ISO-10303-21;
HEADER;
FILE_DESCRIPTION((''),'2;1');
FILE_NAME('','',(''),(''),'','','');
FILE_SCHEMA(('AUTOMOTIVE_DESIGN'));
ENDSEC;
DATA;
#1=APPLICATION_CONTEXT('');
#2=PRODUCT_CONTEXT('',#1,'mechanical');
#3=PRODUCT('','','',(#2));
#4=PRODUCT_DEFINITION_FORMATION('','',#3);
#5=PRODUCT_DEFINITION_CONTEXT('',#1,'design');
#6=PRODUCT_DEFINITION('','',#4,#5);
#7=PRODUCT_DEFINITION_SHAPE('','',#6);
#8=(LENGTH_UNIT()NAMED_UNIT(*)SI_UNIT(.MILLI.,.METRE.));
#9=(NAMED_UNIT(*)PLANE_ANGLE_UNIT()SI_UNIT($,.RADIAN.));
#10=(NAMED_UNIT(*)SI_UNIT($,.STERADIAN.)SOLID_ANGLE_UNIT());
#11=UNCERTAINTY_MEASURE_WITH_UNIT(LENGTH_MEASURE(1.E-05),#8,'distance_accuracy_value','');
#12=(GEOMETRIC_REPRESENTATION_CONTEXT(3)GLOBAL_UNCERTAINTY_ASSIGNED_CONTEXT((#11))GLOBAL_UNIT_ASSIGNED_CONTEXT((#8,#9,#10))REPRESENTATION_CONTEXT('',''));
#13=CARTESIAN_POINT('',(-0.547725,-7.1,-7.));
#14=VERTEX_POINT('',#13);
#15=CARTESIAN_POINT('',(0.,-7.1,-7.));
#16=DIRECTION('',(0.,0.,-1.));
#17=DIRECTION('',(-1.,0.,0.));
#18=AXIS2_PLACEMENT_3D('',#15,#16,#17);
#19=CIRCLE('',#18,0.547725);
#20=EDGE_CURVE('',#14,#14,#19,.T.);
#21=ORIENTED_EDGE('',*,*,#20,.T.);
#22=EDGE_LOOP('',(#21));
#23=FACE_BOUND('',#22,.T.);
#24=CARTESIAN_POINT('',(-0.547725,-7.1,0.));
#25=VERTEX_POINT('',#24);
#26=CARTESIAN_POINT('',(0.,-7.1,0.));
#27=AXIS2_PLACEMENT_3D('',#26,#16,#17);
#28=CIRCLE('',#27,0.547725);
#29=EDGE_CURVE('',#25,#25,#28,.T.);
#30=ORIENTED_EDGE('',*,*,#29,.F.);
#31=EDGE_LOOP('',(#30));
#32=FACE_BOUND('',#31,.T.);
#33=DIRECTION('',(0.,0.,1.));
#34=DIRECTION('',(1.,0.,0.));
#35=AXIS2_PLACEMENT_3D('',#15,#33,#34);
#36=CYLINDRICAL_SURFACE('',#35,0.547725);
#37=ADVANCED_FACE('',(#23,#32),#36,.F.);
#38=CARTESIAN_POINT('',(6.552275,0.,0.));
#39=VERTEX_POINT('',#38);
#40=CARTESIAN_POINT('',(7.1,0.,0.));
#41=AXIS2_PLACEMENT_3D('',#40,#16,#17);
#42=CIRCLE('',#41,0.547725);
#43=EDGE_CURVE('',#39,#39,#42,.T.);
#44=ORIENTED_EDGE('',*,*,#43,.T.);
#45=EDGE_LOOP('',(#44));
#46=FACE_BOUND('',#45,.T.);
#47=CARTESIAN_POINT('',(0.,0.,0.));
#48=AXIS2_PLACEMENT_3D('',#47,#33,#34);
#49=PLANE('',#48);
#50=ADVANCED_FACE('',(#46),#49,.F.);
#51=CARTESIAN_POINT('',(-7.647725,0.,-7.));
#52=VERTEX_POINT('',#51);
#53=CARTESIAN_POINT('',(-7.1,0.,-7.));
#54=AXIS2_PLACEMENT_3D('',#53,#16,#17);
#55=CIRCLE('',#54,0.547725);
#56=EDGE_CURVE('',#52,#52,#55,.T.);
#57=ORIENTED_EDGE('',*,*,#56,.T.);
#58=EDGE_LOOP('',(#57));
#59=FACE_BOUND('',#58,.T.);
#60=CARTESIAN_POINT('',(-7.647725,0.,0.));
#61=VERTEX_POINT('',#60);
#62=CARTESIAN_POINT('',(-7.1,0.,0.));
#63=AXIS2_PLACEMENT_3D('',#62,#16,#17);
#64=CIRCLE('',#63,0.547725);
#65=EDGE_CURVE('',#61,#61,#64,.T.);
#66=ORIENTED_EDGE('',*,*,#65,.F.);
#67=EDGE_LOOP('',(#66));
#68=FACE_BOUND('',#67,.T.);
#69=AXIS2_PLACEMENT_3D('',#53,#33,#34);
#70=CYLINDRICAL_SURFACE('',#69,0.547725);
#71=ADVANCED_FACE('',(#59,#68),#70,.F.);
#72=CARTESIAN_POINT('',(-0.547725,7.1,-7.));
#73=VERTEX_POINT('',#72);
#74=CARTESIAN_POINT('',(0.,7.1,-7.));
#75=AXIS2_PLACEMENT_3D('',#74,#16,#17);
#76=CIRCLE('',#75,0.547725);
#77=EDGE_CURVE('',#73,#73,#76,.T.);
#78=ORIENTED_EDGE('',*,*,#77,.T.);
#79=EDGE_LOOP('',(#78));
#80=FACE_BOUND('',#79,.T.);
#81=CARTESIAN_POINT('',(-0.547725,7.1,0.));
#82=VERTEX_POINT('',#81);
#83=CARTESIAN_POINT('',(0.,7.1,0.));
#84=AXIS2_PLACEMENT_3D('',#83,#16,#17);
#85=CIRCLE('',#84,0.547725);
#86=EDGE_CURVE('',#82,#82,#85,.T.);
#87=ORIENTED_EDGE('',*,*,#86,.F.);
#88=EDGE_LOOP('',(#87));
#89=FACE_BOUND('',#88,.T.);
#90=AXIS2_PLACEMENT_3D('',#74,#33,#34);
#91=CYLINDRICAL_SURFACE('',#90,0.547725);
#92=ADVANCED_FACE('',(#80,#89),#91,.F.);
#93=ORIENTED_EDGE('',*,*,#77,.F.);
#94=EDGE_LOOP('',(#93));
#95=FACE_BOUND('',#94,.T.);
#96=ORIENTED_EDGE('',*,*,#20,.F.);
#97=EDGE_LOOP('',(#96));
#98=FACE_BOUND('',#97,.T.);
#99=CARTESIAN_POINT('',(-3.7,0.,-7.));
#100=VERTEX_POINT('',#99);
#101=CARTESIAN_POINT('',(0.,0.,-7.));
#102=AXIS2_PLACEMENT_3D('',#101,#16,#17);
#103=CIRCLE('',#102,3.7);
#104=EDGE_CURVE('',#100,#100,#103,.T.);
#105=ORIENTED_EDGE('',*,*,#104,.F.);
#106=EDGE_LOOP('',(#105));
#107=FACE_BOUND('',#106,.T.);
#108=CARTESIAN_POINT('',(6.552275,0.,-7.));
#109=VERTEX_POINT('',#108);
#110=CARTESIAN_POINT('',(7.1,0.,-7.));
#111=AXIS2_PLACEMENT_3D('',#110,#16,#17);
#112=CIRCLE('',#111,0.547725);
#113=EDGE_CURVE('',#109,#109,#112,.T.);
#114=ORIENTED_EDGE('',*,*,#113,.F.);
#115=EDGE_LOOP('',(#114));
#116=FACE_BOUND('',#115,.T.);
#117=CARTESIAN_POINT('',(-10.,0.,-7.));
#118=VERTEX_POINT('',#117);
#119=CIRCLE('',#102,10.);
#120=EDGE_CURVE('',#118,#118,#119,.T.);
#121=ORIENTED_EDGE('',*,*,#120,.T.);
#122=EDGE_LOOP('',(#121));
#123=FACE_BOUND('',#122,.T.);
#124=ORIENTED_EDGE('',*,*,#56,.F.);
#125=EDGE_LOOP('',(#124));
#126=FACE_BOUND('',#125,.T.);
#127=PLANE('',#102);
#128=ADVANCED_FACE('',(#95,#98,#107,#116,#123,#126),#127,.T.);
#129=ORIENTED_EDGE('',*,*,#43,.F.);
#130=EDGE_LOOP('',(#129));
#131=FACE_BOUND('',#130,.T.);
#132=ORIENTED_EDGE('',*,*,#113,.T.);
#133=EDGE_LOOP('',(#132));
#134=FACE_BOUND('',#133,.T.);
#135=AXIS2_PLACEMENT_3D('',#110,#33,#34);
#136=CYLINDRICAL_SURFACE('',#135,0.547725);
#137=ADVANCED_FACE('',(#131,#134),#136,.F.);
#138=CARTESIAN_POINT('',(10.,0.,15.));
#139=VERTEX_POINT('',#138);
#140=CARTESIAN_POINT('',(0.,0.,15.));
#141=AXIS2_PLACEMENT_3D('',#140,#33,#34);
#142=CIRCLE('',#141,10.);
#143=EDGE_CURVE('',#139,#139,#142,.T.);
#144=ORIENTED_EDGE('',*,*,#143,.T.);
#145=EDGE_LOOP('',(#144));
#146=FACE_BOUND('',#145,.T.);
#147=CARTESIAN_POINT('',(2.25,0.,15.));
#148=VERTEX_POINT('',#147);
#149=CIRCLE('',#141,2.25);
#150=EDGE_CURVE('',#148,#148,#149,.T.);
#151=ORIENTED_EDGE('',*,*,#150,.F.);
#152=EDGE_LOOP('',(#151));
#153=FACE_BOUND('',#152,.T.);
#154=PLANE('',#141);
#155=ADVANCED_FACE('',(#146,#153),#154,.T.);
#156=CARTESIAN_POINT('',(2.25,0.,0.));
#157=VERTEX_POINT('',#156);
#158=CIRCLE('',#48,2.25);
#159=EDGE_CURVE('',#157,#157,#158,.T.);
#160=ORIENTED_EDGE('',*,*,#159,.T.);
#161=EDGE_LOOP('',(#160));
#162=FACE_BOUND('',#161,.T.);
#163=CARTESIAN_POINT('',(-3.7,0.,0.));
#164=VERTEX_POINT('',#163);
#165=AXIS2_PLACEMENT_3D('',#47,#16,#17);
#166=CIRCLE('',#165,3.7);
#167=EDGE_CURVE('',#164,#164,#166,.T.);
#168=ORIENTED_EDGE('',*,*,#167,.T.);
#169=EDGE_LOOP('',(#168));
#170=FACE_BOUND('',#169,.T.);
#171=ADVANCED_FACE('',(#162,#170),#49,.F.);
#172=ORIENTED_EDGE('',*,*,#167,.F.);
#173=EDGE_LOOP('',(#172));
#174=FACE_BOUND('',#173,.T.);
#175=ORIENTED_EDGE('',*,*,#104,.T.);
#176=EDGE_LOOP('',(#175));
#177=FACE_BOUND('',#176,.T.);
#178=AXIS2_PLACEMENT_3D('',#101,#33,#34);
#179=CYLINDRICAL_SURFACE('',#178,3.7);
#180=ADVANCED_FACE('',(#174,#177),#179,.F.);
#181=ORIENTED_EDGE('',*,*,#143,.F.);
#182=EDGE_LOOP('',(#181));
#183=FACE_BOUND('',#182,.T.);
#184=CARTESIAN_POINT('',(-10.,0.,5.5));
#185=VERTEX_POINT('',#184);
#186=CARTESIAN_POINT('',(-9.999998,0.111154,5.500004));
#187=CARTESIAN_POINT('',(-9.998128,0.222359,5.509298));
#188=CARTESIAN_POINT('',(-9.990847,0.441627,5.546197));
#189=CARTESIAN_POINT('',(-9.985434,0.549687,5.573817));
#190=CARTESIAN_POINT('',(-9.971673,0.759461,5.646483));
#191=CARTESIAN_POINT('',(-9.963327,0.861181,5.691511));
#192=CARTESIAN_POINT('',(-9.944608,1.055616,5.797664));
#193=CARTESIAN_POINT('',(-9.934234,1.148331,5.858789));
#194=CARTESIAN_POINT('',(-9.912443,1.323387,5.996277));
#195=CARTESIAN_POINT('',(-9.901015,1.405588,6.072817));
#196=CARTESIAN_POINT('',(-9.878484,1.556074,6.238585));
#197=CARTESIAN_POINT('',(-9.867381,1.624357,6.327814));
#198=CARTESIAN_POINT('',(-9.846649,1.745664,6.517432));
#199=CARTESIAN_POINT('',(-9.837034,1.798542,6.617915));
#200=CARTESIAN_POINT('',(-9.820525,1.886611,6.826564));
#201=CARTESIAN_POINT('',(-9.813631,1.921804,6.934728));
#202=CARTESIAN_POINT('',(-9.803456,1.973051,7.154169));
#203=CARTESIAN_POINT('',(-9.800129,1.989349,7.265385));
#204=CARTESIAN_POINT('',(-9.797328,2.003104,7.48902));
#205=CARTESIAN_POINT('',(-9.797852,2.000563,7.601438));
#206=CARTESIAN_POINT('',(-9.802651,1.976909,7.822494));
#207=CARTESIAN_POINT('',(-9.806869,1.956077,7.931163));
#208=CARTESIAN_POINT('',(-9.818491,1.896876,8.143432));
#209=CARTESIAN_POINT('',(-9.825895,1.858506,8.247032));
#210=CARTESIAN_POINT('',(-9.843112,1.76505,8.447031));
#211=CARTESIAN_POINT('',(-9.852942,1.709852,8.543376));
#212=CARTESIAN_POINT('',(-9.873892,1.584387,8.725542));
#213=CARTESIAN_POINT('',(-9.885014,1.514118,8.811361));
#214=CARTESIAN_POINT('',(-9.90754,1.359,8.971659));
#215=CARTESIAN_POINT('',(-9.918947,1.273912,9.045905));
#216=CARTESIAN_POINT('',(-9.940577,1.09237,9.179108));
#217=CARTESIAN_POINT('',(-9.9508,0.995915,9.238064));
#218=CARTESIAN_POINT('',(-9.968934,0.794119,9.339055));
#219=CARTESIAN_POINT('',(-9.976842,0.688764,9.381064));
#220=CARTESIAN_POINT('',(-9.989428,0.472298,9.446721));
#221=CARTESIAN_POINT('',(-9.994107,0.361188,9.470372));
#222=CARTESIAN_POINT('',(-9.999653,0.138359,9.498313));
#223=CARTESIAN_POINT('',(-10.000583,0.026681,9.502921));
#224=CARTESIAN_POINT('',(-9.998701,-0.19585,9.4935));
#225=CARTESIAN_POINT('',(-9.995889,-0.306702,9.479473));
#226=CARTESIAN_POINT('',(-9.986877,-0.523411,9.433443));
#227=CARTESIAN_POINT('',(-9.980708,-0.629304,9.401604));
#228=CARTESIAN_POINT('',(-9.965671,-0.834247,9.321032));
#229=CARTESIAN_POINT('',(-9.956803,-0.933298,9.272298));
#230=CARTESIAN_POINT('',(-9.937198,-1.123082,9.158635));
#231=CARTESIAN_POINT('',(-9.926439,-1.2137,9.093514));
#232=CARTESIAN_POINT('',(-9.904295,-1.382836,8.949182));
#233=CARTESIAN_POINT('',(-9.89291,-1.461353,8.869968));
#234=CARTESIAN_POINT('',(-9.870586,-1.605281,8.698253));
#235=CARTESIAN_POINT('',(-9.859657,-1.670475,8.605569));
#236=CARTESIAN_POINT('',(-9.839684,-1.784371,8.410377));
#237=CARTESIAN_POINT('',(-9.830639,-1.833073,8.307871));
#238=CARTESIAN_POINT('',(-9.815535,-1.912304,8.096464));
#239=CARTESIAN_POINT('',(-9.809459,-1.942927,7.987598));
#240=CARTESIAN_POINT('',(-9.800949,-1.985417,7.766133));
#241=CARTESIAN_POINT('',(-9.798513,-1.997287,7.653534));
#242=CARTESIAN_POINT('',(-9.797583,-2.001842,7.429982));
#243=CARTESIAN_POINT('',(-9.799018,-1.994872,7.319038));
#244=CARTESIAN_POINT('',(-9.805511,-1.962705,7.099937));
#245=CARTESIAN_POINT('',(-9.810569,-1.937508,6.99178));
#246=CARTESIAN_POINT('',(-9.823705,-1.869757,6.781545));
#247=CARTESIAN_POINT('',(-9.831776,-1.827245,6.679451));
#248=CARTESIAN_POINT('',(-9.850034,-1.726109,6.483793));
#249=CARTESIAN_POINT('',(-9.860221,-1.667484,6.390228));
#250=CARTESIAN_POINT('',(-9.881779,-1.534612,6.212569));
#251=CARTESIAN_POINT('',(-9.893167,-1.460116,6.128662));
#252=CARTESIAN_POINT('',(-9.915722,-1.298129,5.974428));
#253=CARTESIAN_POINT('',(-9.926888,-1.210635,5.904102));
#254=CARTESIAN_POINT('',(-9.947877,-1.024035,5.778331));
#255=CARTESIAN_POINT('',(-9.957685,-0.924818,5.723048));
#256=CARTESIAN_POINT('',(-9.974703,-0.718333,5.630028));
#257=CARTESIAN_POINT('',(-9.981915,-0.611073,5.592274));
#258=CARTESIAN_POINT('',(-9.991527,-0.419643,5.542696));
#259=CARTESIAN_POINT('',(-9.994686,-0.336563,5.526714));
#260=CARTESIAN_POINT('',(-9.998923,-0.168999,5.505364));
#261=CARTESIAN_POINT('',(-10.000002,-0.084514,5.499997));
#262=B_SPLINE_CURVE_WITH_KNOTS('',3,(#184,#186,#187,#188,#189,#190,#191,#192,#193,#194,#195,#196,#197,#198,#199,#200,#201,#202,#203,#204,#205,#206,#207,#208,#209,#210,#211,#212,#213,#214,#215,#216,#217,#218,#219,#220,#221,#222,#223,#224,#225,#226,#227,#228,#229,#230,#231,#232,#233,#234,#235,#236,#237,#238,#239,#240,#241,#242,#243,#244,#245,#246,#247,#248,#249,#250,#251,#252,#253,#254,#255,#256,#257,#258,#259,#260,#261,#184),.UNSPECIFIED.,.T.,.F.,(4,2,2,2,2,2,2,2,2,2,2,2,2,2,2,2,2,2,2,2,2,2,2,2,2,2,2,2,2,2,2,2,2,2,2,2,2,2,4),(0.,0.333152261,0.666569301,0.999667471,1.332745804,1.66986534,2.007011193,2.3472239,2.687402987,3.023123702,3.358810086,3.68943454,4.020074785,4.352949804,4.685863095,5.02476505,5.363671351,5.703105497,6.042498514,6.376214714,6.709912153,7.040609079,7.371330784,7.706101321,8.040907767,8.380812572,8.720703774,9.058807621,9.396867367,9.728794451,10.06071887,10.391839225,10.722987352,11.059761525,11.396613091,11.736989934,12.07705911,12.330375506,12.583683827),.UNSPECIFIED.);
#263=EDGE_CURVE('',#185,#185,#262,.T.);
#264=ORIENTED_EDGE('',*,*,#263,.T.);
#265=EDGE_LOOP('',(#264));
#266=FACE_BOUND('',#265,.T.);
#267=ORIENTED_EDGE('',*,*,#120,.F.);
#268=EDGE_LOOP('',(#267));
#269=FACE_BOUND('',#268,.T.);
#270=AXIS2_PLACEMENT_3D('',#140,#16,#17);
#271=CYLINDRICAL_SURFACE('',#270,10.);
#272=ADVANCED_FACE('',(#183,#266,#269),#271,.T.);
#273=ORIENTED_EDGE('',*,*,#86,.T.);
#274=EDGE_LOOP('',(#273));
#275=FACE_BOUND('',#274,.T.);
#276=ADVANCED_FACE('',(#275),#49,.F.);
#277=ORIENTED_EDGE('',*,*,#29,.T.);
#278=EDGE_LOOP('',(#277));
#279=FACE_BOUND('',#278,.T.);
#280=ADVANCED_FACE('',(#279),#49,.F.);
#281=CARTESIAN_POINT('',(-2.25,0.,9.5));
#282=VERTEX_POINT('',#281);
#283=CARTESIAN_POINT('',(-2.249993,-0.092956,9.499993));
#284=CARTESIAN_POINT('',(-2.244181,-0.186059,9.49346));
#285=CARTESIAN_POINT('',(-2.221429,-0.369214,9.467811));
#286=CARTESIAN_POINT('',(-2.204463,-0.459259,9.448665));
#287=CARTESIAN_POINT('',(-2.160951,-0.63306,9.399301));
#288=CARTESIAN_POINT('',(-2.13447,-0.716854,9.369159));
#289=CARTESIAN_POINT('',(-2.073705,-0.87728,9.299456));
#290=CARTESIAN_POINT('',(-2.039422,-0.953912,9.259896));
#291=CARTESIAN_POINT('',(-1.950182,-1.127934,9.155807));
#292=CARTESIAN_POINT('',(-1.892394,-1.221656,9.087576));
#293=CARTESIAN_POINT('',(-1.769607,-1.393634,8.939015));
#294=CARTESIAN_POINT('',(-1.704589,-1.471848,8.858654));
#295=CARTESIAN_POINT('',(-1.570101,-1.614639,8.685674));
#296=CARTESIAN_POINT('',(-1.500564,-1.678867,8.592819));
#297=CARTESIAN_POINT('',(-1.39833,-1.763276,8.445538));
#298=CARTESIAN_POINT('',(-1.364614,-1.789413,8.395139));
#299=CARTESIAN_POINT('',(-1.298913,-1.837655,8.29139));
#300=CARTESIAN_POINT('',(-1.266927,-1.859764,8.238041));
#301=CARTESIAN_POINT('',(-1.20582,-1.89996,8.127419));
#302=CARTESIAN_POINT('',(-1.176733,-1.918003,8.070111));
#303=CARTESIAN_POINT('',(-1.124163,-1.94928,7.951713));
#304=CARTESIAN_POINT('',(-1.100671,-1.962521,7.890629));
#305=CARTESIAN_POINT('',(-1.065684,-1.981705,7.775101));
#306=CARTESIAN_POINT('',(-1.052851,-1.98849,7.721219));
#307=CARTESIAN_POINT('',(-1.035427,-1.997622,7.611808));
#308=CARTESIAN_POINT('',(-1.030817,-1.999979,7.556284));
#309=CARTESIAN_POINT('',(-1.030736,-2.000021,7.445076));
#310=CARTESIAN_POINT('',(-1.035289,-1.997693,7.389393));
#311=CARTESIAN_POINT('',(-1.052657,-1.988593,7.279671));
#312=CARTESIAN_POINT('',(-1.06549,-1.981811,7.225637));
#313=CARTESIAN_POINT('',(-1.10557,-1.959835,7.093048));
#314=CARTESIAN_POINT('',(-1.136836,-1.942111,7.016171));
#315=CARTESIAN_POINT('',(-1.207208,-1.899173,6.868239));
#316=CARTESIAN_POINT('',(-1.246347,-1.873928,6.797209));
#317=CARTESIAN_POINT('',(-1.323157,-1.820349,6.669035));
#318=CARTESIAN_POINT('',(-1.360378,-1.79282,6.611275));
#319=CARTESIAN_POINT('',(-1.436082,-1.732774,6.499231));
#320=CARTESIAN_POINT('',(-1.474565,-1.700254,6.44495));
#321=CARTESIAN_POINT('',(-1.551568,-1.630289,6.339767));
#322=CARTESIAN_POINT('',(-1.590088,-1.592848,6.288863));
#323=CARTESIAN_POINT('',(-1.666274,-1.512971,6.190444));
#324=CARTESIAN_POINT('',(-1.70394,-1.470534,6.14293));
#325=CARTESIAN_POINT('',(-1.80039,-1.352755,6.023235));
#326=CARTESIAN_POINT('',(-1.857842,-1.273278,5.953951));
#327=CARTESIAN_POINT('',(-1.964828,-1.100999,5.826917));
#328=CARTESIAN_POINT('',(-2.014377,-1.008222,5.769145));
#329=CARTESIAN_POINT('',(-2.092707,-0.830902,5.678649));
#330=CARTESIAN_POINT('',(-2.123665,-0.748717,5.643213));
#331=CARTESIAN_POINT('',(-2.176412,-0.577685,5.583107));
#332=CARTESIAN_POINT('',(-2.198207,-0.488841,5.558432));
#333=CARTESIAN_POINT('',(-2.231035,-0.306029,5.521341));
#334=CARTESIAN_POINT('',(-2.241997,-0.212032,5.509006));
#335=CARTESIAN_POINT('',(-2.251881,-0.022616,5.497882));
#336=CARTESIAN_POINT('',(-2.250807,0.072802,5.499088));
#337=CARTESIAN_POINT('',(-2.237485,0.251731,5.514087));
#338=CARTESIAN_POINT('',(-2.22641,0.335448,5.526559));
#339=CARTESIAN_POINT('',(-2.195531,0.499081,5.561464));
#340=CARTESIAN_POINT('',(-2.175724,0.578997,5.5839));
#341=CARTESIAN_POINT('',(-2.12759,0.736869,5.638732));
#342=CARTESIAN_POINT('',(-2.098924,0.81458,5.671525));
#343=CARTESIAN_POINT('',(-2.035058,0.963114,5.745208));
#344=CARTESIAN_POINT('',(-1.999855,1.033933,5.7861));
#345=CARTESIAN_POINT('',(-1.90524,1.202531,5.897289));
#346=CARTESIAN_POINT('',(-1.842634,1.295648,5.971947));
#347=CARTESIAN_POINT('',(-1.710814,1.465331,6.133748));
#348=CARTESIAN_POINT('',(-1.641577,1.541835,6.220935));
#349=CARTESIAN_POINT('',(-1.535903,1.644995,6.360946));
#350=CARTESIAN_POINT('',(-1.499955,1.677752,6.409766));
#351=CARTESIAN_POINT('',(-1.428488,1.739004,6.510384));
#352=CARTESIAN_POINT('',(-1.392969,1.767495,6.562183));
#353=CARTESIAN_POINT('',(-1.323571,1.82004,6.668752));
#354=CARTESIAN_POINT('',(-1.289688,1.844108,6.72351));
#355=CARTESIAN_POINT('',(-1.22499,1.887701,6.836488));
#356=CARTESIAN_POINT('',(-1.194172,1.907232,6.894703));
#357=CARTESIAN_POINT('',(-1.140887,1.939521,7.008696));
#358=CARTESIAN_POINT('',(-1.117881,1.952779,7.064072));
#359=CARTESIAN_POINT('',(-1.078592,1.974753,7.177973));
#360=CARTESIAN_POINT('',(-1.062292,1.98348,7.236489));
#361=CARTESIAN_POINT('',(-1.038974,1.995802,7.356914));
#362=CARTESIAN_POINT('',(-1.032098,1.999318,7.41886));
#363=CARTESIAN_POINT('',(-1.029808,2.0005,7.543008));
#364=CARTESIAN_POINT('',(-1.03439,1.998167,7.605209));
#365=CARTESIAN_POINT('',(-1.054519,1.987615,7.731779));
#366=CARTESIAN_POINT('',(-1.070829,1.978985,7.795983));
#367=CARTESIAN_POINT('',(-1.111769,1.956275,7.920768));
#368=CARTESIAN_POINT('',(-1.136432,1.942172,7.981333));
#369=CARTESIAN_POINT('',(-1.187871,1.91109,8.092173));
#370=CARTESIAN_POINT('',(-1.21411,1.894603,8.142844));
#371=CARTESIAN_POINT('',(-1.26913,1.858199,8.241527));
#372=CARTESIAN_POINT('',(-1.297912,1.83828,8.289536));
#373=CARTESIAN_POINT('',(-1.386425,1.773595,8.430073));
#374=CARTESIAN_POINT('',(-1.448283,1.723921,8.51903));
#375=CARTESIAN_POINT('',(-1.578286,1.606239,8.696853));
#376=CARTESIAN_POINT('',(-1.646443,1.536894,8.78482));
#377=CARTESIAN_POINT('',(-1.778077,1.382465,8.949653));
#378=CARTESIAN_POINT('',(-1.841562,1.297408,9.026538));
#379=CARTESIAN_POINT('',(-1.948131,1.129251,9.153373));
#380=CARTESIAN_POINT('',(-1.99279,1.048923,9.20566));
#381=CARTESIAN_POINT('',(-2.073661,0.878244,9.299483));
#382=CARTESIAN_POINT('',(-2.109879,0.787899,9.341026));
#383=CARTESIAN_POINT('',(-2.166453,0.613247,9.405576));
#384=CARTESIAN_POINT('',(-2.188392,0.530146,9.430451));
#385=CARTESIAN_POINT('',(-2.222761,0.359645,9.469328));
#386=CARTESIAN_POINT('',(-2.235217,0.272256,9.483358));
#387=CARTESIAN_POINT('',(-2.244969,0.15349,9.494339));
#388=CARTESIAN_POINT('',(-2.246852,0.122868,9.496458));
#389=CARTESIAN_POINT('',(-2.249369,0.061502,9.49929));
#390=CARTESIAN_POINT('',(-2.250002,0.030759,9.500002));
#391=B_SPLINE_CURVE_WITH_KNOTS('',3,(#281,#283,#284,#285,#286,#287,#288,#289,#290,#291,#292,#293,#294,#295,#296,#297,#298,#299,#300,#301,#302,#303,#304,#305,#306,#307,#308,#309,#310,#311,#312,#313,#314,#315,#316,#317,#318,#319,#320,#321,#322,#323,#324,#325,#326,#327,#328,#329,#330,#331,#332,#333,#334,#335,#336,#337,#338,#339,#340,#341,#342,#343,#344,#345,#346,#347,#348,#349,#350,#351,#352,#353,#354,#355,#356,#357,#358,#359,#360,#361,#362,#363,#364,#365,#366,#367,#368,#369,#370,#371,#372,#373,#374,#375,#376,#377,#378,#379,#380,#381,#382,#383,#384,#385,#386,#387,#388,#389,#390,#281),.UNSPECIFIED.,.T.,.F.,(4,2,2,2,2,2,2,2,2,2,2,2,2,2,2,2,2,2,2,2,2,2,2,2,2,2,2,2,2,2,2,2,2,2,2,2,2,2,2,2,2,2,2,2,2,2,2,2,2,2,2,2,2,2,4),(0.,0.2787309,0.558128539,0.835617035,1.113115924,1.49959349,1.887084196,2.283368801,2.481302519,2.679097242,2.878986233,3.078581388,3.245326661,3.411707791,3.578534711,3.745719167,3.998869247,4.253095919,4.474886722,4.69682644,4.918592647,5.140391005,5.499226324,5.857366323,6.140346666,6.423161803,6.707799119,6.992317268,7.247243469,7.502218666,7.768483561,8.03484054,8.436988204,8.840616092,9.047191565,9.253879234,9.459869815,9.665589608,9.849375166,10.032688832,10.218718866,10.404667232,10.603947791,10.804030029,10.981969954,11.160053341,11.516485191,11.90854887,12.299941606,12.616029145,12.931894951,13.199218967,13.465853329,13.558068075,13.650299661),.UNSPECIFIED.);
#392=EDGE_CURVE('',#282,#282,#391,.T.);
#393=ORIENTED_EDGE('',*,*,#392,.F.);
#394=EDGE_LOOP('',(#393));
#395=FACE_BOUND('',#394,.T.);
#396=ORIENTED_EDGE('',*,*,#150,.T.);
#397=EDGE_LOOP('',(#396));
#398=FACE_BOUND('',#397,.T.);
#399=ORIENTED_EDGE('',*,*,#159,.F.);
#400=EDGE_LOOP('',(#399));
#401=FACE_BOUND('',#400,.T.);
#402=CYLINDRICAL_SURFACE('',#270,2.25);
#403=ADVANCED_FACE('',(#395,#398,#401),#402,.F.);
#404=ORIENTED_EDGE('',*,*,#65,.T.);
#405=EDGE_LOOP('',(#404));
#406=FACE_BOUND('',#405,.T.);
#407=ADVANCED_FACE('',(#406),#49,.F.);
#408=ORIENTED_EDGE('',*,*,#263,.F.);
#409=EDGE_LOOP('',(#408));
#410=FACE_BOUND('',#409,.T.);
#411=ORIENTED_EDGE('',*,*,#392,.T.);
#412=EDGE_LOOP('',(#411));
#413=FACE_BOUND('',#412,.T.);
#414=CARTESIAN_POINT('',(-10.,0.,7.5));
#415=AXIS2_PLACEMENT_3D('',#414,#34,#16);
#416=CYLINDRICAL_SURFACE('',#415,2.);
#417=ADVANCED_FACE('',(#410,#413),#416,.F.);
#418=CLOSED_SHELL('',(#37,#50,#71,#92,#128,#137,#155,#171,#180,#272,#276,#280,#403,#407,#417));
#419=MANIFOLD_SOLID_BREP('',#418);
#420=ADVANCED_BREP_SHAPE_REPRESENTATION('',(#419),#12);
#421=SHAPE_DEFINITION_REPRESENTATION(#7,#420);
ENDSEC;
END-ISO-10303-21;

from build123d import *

# Parameters (mm, degrees)
ESBO_O1_R                = 10
ESBO_O1_R_2              = 2.25
RESSALTO_EXTRUS_O1_DEPTH = 15
ESBO_O2_R                = 2
CORTE_EXTRUS_O1_DEPTH    = 10
ESBO_O3_R                = 10
ESBO_O3_R_2              = 0.547725274
ESBO_O3_R_3              = 3.7
RESSALTO_EXTRUS_O2_DEPTH = 7


with BuildPart() as part:
    # Esboço1 → Ressalto-extrusão1 (new body)
    with BuildSketch(Plane.XY):
        Circle(ESBO_O1_R)
        Circle(ESBO_O1_R_2, mode=Mode.SUBTRACT)
    extrude(amount=RESSALTO_EXTRUS_O1_DEPTH)

    # Esboço2 → Corte-extrusão1 (cut)
    with BuildSketch(Plane(origin=(0, 0, 0), x_dir=(0, 0, -1), z_dir=(1, 0, 0))):
        with Locations((-7.5, 0)):
            Circle(ESBO_O2_R)
    extrude(amount=-CORTE_EXTRUS_O1_DEPTH, mode=Mode.SUBTRACT)

    # Esboço3 → Ressalto-extrusão2 (add)
    with BuildSketch(Plane(origin=(0, 0, 0), x_dir=(-1, 0, 0), z_dir=(0, 0, -1))):
        Circle(ESBO_O3_R)
        with Locations((0, 7.1)):
            Circle(ESBO_O3_R_2, mode=Mode.SUBTRACT)
        with Locations((7.1, 0)):
            Circle(ESBO_O3_R_2, mode=Mode.SUBTRACT)
        with Locations((0, -7.1)):
            Circle(ESBO_O3_R_2, mode=Mode.SUBTRACT)
        with Locations((-7.1, 0)):
            Circle(ESBO_O3_R_2, mode=Mode.SUBTRACT)
        Circle(ESBO_O3_R_3, mode=Mode.SUBTRACT)
    extrude(amount=RESSALTO_EXTRUS_O2_DEPTH)


solid = part.part
